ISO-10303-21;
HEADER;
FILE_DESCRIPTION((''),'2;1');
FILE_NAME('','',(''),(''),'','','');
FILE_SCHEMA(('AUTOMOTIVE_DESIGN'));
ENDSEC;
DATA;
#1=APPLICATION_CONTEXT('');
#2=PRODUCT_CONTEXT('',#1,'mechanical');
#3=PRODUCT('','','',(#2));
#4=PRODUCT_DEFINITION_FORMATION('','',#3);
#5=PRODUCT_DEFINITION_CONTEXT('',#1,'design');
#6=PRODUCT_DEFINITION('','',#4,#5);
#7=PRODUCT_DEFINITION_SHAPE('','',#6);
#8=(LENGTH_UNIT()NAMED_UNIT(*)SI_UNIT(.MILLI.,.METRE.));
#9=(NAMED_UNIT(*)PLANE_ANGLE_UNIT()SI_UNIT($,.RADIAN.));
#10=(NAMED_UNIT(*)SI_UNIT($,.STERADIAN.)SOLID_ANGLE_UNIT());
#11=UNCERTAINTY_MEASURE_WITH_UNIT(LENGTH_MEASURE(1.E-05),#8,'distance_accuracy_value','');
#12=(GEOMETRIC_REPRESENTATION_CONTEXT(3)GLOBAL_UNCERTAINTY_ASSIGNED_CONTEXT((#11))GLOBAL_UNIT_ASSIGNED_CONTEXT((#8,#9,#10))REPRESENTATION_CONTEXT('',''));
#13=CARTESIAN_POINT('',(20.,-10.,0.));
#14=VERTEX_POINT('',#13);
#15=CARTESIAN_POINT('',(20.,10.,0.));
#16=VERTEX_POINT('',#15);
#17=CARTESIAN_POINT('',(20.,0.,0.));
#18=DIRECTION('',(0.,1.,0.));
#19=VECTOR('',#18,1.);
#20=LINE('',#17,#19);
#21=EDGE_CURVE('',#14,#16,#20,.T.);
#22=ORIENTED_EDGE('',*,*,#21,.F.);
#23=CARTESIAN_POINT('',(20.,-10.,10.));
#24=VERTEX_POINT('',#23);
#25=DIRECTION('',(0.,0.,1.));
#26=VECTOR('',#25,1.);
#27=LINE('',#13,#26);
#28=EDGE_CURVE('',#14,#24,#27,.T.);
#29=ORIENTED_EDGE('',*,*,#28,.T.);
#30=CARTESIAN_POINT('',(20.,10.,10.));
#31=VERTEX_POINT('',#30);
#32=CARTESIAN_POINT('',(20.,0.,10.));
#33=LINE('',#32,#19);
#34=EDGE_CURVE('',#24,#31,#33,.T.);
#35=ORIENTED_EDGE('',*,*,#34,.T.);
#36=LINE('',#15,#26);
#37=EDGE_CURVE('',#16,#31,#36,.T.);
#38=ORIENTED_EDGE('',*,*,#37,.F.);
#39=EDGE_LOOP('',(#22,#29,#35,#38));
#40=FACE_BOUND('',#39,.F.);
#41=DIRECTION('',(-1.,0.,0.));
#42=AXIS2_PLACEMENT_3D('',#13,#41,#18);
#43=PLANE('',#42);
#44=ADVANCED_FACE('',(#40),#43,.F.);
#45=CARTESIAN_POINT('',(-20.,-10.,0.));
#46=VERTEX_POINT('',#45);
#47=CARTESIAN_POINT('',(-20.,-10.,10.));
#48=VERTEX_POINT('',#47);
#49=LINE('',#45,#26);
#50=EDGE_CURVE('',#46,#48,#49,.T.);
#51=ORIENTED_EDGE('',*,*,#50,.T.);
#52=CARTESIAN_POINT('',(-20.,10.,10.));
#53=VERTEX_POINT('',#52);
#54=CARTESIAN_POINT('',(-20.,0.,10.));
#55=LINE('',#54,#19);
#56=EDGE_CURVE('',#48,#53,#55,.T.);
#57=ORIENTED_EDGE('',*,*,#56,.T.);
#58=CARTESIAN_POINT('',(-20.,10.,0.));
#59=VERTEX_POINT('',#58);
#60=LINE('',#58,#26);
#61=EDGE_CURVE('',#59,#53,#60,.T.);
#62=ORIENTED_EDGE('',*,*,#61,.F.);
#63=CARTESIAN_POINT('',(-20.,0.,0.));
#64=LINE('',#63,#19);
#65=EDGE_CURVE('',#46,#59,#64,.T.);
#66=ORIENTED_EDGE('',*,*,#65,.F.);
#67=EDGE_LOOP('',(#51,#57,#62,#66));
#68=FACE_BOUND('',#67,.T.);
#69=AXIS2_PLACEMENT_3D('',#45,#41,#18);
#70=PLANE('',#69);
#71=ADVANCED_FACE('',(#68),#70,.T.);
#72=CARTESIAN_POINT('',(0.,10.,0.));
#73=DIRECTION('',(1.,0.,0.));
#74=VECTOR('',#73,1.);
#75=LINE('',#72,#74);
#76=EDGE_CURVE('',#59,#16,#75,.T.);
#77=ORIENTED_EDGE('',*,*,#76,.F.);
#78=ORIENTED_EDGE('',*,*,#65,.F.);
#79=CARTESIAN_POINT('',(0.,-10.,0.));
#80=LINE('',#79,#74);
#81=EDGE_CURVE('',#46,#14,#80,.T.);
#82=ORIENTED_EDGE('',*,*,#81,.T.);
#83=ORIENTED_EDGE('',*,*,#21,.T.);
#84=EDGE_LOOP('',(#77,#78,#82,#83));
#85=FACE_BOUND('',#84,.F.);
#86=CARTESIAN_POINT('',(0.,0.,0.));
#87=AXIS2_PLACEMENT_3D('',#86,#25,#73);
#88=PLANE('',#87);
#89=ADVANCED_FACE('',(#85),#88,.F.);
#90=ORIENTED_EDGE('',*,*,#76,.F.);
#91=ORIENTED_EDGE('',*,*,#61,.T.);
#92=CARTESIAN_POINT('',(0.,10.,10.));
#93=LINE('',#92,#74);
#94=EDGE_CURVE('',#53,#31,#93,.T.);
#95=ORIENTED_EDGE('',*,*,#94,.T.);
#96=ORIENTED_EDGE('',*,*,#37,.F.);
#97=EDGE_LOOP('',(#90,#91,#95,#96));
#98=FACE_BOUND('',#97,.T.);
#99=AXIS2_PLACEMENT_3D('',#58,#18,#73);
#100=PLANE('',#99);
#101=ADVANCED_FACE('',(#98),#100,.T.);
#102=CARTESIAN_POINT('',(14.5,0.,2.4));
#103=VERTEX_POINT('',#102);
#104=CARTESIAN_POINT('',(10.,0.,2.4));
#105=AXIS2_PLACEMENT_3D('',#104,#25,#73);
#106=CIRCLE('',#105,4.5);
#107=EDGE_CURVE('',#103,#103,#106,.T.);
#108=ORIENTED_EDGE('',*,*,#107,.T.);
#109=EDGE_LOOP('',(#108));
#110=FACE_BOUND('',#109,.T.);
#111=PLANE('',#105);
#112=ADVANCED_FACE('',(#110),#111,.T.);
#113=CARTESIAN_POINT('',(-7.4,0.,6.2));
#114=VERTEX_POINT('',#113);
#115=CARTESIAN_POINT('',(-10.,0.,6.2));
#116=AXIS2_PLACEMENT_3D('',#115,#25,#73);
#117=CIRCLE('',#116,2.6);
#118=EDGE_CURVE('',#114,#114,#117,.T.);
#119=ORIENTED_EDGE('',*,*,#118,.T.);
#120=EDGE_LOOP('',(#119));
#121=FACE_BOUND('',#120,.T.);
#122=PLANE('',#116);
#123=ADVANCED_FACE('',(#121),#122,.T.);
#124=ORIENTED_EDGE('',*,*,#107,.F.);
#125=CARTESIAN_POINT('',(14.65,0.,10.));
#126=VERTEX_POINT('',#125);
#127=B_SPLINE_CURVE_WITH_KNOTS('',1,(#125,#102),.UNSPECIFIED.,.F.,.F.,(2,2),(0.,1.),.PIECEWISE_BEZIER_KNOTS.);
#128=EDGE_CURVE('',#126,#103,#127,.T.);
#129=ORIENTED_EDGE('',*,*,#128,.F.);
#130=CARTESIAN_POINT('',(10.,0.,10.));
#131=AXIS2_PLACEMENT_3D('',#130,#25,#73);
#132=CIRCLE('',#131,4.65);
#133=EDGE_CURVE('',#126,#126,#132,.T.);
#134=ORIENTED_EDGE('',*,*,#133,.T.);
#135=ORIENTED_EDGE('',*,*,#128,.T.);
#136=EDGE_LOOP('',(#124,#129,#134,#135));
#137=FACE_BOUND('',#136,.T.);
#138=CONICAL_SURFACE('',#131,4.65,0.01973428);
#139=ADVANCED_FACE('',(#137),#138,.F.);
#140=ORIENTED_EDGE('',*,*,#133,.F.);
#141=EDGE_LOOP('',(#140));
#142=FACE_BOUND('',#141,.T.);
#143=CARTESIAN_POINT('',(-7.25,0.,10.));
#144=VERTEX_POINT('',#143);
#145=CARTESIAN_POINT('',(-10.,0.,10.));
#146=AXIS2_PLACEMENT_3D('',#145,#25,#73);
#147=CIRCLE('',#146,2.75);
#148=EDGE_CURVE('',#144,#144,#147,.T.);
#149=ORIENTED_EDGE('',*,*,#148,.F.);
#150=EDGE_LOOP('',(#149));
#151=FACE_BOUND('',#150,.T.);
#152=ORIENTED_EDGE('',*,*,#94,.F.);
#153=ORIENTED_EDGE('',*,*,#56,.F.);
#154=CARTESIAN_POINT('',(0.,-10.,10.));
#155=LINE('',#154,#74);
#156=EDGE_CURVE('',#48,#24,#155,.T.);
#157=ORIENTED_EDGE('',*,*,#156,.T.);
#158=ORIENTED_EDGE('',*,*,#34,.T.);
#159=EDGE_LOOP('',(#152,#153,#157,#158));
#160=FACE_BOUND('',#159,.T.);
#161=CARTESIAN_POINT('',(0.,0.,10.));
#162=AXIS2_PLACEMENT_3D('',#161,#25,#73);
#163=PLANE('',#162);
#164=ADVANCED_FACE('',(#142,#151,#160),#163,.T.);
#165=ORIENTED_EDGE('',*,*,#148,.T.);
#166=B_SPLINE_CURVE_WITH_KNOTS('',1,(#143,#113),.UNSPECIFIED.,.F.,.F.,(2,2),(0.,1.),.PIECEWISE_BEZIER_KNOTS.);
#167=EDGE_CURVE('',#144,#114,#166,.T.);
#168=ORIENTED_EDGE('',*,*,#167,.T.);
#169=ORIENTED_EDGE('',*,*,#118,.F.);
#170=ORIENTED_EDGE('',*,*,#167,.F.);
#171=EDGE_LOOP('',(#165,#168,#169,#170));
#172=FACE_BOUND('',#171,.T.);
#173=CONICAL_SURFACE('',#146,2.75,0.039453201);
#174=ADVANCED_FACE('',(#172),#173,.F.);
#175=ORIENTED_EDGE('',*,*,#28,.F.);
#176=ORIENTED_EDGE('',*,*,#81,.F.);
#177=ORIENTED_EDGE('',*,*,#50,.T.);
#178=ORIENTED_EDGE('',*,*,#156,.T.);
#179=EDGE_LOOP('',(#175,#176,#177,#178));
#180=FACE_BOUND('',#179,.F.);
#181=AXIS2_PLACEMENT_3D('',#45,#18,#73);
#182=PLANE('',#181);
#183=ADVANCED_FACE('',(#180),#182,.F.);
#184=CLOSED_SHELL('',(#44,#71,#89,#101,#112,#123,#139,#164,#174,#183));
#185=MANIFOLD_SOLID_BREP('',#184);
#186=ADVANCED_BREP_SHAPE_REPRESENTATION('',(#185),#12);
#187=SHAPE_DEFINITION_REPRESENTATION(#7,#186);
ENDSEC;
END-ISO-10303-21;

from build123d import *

# Parameters (mm, degrees)
F0_W     = 40
F0_H     = 20
F1_DEPTH = 10
F2_R     = 2.75
F5_R     = 2.6
F7_R     = 4.65
F9_R     = 4.5


with BuildPart() as f1:
    # F0 (on Top) → F1 (new body)
    with BuildSketch(Plane.XY):
        Rectangle(F0_W, F0_H)
    extrude(amount=F1_DEPTH)

    # F2 (on face) → F6 section 0
    with BuildSketch(Plane.XY.offset(10)):
        with Locations((-10, 0)):
            Circle(F2_R)
    # F5 (on offset) → F6 section 1
    with BuildSketch(Plane.XY.offset(6.2)):
        with Locations((-10, 0)):
            Circle(F5_R)
    loft(mode=Mode.SUBTRACT)

    # F7 (on face) → F10 section 0
    with BuildSketch(Plane.XY.offset(10)):
        with Locations((10, 0)):
            Circle(F7_R)
    # F9 (on offset) → F10 section 1
    with BuildSketch(Plane.XY.offset(2.4)):
        with Locations((10, 0)):
            Circle(F9_R)
    loft(mode=Mode.SUBTRACT)


solid = f1.part
